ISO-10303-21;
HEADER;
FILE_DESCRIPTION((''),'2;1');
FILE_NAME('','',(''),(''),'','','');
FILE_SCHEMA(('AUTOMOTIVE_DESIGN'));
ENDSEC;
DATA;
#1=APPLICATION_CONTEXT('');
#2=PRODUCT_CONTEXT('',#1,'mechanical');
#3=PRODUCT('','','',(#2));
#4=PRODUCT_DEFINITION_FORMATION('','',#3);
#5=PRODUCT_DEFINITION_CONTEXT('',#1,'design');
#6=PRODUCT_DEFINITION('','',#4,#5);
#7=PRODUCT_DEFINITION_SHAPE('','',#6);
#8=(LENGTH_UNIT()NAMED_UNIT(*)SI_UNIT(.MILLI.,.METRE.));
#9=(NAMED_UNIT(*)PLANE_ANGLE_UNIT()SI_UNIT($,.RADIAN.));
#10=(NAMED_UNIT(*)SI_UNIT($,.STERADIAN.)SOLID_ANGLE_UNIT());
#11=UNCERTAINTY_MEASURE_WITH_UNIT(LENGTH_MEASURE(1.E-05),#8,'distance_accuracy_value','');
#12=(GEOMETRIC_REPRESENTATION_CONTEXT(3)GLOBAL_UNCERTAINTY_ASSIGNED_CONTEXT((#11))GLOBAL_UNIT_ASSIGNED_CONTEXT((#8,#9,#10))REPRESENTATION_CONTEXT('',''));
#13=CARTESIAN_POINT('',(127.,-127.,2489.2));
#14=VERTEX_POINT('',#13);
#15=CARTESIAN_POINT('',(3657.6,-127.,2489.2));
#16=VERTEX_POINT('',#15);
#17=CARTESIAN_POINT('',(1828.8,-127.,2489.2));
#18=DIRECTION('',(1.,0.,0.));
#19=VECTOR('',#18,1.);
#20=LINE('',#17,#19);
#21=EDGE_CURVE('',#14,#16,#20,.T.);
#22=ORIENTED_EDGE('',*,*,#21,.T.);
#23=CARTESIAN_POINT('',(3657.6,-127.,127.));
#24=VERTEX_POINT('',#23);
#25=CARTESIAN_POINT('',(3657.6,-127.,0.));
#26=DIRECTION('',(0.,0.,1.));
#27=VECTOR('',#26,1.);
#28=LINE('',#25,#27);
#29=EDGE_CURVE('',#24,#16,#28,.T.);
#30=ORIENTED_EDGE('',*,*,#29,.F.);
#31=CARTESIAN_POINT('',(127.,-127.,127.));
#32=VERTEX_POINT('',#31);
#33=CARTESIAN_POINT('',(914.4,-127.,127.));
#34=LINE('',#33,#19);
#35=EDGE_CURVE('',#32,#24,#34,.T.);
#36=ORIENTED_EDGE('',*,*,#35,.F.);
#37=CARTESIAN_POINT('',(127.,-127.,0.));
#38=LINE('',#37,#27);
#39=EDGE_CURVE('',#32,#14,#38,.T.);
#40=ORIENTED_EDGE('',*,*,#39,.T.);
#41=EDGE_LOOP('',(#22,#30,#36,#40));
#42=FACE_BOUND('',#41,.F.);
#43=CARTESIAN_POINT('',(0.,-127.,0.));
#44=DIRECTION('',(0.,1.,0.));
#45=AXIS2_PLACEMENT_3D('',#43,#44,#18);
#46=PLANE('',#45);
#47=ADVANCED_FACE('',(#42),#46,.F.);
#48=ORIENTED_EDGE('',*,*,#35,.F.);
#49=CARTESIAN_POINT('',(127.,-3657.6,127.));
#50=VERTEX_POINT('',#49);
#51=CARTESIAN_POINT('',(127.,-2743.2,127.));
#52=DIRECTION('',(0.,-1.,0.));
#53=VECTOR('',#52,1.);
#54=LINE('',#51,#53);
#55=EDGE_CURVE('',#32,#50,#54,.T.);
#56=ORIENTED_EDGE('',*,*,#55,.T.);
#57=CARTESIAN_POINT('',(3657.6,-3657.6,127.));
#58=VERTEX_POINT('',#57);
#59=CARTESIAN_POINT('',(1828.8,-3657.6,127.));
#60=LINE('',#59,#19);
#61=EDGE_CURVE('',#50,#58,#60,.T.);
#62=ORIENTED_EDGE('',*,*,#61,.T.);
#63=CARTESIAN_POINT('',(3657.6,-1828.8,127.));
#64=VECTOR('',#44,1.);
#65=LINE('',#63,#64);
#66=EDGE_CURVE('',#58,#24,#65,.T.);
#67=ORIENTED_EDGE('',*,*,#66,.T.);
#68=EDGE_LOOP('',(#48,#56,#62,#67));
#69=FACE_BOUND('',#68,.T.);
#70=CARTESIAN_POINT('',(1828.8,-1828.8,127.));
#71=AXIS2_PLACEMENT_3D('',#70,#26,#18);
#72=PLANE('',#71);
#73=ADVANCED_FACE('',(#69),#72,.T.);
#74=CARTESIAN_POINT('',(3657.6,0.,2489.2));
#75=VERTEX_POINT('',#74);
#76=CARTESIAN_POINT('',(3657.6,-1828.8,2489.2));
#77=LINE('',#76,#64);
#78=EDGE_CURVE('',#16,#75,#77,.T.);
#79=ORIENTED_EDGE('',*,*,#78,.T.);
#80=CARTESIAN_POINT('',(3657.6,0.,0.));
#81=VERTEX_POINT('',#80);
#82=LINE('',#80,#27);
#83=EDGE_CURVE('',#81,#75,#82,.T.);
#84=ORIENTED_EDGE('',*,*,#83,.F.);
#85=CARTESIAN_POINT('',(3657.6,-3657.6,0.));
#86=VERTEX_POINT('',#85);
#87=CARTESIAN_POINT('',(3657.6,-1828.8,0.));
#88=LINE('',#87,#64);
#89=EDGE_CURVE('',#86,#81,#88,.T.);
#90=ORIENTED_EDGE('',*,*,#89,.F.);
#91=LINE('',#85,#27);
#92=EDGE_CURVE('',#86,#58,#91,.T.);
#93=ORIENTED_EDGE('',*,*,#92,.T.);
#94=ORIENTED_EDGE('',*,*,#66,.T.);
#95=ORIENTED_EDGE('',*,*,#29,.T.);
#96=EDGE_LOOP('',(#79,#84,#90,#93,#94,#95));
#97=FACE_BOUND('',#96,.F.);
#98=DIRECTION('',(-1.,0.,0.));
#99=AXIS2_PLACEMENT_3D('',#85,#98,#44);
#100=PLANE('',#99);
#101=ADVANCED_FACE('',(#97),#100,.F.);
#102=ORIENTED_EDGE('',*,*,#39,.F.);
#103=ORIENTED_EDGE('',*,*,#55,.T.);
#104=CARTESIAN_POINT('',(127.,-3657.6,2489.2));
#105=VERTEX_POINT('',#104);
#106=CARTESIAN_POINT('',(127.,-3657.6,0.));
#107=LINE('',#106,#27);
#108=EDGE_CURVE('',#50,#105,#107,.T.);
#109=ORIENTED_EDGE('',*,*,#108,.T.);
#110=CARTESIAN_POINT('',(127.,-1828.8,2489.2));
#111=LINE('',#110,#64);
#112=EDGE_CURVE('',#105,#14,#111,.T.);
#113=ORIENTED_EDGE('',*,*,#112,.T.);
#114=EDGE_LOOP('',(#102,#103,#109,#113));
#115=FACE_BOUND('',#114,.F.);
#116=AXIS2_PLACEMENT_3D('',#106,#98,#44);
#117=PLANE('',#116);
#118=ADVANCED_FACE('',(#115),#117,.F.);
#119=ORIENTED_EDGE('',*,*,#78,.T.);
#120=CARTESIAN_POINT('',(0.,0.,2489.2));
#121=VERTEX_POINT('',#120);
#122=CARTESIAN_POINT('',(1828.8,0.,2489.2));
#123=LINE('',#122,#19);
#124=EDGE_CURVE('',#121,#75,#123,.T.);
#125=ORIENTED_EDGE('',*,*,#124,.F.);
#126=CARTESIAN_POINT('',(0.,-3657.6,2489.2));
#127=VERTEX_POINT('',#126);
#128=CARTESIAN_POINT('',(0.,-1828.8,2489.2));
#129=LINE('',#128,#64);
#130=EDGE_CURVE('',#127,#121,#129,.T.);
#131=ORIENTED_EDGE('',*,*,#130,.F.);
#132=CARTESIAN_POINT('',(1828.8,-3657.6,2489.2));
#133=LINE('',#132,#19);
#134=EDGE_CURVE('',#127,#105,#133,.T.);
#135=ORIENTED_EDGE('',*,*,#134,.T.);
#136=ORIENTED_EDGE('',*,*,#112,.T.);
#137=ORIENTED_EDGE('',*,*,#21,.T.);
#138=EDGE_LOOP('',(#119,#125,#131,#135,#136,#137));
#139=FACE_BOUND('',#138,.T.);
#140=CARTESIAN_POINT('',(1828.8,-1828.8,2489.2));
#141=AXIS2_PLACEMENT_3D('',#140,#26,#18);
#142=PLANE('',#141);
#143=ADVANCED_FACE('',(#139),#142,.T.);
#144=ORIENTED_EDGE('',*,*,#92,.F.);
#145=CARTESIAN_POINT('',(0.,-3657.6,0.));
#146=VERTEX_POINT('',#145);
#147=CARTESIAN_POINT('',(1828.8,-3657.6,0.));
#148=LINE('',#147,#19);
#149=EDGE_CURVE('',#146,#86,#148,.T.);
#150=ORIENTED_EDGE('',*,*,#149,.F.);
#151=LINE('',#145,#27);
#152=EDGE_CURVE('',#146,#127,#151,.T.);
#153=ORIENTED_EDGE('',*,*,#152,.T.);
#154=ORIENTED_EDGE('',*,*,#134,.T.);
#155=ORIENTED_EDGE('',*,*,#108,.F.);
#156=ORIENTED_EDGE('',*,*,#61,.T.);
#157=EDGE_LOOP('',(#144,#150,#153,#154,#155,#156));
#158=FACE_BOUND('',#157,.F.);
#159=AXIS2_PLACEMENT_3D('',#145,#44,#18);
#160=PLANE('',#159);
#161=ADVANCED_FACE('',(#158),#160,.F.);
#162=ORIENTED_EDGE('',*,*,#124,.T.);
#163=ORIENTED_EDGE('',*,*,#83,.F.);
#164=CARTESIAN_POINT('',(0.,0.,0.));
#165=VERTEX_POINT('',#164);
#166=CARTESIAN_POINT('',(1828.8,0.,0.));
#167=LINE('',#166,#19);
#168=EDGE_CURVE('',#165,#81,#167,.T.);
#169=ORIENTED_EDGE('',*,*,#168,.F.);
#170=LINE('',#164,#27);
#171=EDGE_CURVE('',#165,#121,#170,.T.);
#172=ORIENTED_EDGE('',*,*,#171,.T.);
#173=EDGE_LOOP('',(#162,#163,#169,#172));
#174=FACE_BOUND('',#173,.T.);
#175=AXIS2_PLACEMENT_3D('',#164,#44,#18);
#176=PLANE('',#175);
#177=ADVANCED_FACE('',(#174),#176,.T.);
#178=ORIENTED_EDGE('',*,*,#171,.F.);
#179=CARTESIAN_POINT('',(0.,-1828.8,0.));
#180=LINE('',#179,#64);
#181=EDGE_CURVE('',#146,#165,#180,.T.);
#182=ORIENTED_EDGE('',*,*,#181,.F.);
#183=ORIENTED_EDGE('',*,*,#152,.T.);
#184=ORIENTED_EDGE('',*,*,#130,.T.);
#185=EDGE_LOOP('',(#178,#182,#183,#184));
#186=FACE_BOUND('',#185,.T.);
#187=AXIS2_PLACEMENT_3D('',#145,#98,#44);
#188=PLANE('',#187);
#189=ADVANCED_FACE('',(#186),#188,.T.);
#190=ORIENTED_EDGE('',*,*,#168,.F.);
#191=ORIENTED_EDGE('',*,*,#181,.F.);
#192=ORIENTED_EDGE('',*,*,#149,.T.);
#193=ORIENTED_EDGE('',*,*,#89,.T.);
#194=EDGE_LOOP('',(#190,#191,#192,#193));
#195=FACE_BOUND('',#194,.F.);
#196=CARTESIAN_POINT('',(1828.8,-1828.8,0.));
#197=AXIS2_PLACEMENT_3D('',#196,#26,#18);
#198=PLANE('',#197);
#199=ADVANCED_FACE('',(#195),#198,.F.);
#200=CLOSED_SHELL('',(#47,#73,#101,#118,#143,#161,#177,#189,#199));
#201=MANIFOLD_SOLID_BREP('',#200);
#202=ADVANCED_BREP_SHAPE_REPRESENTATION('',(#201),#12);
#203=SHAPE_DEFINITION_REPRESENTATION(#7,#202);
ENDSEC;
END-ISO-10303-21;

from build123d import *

# Parameters (mm, degrees)
F0_W     = 3657.6
F0_H     = 3657.6
F1_DEPTH = 2489.2
F2_T     = -127


with BuildPart() as f1:
    # F0 (on Top) → F1 (new body)
    with BuildSketch(Plane.XY):
        with Locations((1828.8, -1828.8)):
            Rectangle(F0_W, F0_H)
    extrude(amount=F1_DEPTH)

    # F2
    f2_openings = [f1.faces().sort_by_distance(p)[0] for p in [
        (1828.8, -1828.8, 2489.2),
        (1828.8, -3657.6, 1244.6),
        (3657.6, -1828.8, 1244.6),
    ]]
    offset(amount=F2_T, openings=f2_openings)


solid = f1.part
